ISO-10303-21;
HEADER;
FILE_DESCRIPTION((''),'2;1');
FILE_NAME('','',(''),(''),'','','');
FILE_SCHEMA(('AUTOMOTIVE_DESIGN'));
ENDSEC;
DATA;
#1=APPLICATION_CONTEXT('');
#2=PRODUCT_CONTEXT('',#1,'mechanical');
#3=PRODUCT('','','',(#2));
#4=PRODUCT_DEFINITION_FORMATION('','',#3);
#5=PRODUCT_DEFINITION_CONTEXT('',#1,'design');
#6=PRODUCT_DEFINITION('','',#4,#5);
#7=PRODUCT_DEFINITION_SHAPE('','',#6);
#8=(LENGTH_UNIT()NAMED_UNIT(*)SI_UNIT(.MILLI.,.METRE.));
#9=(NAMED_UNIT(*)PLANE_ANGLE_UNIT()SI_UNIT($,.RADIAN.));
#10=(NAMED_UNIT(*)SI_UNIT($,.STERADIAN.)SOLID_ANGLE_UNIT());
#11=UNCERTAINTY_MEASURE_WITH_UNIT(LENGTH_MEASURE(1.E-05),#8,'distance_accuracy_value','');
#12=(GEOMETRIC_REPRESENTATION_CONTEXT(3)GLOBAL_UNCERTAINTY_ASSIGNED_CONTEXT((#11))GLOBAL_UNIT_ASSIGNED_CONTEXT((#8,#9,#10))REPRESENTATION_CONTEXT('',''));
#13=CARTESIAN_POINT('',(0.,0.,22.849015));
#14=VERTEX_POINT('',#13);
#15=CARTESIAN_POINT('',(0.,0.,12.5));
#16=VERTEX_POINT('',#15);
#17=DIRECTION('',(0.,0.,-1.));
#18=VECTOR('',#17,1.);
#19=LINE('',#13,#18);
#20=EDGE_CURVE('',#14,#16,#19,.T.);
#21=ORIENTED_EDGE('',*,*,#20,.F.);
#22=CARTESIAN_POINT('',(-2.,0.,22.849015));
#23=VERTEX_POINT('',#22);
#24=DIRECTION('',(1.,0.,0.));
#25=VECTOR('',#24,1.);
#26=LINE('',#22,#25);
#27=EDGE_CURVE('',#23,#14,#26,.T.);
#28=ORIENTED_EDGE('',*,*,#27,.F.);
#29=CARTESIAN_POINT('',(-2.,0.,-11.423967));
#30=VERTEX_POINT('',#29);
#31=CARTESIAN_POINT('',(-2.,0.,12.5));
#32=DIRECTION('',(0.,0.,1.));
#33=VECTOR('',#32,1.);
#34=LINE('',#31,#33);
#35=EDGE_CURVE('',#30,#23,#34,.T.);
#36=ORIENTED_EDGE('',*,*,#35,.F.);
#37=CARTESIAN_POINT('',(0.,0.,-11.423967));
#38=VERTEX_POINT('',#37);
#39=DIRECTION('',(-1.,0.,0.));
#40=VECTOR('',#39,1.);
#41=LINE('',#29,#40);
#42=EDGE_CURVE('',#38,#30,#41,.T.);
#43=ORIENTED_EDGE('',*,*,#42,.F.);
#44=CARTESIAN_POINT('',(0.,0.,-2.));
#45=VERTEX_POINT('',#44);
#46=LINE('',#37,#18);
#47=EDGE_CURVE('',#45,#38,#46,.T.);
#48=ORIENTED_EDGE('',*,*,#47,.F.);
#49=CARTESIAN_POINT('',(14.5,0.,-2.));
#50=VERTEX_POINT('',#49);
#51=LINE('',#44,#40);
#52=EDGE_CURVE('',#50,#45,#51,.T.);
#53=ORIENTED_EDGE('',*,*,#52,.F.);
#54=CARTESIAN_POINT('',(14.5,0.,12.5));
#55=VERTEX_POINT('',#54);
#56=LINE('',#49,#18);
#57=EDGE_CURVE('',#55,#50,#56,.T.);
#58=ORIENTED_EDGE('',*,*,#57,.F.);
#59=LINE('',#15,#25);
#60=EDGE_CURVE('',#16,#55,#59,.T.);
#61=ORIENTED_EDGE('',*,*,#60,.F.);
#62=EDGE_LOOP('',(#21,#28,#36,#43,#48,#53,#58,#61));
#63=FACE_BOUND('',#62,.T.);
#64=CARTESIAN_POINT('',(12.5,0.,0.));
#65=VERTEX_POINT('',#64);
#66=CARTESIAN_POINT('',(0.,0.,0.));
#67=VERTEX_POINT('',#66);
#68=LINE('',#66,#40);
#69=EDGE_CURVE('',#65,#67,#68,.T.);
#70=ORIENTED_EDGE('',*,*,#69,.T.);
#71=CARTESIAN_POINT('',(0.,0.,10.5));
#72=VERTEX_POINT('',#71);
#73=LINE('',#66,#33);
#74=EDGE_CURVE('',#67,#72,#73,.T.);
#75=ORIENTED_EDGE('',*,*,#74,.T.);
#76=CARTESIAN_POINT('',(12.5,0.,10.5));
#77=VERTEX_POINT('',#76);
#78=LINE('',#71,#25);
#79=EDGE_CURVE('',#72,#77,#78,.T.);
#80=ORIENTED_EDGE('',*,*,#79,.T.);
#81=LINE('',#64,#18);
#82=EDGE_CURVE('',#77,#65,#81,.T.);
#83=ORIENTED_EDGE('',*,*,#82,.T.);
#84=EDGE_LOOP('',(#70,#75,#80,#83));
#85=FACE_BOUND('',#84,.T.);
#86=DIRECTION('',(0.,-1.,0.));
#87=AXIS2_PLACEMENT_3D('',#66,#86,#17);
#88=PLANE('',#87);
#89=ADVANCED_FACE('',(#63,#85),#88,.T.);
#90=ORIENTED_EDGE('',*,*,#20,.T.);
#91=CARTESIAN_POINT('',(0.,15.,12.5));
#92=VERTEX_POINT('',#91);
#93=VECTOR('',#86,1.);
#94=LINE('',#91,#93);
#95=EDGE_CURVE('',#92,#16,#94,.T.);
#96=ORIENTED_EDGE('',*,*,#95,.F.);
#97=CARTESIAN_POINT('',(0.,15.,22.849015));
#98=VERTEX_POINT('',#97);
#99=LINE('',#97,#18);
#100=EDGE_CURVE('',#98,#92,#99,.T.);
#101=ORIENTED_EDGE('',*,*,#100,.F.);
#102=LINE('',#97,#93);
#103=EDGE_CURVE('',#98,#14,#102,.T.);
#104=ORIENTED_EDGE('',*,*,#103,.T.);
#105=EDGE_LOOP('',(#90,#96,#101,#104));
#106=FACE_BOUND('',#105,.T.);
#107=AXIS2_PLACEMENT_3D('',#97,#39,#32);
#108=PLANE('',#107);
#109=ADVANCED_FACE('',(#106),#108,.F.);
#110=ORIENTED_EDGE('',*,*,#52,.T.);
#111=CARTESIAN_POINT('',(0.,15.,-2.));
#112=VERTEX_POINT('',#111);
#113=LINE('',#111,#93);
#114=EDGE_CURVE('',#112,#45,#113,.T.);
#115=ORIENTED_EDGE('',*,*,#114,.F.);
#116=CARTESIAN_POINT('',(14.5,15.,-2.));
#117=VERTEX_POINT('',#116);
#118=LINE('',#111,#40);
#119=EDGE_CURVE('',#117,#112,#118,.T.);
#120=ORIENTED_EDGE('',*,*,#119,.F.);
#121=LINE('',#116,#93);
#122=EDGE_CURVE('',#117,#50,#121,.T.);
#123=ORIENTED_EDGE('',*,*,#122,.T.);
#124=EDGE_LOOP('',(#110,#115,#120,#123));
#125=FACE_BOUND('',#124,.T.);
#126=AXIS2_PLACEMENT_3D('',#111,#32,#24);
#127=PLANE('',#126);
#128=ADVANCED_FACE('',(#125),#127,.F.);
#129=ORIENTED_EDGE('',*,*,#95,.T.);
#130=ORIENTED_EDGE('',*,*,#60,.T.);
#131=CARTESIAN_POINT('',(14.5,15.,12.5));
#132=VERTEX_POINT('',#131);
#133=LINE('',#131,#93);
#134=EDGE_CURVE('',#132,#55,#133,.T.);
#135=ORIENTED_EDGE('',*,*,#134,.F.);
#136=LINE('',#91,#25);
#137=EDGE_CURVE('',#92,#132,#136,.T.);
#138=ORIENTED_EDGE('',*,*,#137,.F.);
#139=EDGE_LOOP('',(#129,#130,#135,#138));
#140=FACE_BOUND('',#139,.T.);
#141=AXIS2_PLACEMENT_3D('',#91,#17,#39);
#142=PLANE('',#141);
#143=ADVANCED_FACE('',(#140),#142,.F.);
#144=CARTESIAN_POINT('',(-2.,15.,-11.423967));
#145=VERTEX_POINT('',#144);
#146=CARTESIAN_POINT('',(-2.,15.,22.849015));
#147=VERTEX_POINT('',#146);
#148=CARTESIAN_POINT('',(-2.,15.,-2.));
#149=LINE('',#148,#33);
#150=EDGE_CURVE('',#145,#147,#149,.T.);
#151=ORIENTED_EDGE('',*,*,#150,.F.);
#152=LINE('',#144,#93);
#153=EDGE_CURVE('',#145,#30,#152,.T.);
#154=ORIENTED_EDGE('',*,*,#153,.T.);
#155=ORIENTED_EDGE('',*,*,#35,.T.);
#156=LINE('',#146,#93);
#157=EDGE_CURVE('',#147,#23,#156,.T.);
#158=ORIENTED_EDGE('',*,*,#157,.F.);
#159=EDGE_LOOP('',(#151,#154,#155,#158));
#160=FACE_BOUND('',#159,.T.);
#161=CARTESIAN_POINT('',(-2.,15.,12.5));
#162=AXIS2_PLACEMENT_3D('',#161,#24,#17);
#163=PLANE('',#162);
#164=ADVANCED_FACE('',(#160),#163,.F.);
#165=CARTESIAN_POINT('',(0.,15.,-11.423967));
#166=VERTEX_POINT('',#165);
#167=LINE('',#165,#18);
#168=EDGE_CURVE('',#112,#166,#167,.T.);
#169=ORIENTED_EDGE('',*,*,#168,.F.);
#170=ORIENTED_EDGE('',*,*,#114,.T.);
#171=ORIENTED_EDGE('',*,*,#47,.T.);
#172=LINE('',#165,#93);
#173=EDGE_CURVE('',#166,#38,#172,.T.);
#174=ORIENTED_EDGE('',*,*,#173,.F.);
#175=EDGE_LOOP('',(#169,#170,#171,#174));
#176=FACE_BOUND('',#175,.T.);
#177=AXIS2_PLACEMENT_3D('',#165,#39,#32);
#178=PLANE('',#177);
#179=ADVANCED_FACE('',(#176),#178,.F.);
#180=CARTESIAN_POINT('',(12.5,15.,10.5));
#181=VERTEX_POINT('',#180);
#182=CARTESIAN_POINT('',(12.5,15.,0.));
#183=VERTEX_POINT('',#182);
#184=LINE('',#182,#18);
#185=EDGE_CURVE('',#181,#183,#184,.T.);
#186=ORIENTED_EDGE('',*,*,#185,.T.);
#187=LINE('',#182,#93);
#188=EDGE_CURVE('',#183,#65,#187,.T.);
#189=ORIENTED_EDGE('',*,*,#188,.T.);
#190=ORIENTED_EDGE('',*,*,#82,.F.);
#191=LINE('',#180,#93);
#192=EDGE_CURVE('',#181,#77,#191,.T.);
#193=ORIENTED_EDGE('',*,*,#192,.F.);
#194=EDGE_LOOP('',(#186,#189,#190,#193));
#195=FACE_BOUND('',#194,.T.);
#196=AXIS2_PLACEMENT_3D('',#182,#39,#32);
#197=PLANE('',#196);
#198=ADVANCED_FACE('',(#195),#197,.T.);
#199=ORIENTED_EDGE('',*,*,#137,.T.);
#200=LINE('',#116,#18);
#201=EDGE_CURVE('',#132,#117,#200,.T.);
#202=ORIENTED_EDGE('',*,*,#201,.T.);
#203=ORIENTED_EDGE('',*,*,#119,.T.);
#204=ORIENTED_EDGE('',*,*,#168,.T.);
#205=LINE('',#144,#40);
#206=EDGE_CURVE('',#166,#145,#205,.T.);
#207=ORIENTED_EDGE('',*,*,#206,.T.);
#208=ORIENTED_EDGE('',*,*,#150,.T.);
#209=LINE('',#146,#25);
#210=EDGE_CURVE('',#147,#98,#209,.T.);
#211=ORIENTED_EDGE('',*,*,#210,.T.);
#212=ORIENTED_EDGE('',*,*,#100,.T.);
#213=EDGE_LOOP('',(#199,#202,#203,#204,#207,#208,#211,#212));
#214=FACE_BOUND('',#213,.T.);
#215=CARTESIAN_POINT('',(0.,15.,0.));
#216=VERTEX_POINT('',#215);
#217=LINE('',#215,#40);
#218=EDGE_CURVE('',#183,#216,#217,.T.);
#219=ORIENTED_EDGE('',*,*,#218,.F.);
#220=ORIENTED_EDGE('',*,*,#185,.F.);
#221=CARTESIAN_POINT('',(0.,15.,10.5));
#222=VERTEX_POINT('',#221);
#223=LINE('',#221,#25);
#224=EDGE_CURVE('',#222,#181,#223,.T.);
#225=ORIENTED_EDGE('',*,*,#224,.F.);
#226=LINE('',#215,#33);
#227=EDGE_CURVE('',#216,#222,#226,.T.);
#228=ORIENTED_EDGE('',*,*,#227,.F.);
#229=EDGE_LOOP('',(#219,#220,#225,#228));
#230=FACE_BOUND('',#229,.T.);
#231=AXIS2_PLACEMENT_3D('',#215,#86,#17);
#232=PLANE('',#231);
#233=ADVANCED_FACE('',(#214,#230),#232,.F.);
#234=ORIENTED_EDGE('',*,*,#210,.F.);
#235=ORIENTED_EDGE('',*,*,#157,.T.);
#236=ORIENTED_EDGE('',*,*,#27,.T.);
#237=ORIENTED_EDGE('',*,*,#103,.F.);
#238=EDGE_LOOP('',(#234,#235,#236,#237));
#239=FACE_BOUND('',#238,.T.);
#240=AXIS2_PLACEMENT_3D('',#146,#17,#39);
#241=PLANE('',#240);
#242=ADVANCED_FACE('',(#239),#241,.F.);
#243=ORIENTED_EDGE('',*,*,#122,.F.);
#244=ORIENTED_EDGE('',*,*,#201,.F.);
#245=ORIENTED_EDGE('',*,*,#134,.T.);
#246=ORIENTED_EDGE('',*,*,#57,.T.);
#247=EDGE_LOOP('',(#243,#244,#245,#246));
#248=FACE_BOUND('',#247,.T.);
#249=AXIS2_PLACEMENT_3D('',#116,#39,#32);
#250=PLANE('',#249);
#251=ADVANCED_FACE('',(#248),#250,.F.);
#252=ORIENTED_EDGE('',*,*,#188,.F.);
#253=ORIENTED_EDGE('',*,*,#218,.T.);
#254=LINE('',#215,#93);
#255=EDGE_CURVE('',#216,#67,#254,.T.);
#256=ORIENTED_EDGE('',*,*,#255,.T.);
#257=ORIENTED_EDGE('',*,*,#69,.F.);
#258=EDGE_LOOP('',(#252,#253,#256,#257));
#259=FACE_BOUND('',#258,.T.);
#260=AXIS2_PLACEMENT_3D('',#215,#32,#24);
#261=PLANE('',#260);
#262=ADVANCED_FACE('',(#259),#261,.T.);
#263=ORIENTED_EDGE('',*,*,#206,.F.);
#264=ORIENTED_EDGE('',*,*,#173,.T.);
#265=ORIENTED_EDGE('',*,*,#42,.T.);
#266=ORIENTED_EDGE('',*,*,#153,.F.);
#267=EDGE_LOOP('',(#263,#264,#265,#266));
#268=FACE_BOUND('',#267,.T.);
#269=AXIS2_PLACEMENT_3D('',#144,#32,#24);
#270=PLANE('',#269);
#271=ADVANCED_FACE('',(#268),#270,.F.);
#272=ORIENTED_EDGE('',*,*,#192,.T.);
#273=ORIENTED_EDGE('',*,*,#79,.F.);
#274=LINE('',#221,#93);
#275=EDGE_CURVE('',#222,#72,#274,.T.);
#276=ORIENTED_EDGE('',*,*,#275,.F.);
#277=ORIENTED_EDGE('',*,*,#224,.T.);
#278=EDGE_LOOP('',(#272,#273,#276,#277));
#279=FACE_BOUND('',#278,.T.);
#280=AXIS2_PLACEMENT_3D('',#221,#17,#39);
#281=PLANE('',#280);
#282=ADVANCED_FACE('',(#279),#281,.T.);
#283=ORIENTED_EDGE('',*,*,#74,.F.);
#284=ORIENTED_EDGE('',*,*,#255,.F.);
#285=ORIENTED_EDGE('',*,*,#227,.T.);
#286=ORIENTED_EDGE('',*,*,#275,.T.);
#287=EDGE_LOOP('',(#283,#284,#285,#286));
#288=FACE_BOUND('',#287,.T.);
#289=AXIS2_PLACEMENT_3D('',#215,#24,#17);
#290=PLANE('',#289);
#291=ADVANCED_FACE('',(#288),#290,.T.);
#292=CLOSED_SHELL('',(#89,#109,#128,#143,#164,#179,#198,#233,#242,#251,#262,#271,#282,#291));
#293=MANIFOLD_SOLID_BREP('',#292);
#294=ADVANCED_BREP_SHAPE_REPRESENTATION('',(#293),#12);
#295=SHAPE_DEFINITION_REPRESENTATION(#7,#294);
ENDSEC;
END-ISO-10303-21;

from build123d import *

# Parameters (mm, degrees)
SKETCH1_W           = 12.5
SKETCH1_H           = 10.5
BOSS_EXTRUDE1_DEPTH = 15


with BuildPart() as part:
    # Sketch1 → Boss-Extrude1 (new body)
    with BuildSketch(Plane(origin=(0, 0, 0), x_dir=(1, 0, 0), z_dir=(0, 1, 0))):
        Polygon((-2, 2), (-2, -12.5), (-2, -22.849015381), (0, -22.849015381), (0, -12.5), (14.5, -12.5), (14.5, 2), (0, 2), (0, 11.423967396), (-2, 11.423967396), align=None)
        with Locations((6.25, -5.25)):
            Rectangle(SKETCH1_W, SKETCH1_H, mode=Mode.SUBTRACT)
    extrude(amount=BOSS_EXTRUDE1_DEPTH)


solid = part.part
